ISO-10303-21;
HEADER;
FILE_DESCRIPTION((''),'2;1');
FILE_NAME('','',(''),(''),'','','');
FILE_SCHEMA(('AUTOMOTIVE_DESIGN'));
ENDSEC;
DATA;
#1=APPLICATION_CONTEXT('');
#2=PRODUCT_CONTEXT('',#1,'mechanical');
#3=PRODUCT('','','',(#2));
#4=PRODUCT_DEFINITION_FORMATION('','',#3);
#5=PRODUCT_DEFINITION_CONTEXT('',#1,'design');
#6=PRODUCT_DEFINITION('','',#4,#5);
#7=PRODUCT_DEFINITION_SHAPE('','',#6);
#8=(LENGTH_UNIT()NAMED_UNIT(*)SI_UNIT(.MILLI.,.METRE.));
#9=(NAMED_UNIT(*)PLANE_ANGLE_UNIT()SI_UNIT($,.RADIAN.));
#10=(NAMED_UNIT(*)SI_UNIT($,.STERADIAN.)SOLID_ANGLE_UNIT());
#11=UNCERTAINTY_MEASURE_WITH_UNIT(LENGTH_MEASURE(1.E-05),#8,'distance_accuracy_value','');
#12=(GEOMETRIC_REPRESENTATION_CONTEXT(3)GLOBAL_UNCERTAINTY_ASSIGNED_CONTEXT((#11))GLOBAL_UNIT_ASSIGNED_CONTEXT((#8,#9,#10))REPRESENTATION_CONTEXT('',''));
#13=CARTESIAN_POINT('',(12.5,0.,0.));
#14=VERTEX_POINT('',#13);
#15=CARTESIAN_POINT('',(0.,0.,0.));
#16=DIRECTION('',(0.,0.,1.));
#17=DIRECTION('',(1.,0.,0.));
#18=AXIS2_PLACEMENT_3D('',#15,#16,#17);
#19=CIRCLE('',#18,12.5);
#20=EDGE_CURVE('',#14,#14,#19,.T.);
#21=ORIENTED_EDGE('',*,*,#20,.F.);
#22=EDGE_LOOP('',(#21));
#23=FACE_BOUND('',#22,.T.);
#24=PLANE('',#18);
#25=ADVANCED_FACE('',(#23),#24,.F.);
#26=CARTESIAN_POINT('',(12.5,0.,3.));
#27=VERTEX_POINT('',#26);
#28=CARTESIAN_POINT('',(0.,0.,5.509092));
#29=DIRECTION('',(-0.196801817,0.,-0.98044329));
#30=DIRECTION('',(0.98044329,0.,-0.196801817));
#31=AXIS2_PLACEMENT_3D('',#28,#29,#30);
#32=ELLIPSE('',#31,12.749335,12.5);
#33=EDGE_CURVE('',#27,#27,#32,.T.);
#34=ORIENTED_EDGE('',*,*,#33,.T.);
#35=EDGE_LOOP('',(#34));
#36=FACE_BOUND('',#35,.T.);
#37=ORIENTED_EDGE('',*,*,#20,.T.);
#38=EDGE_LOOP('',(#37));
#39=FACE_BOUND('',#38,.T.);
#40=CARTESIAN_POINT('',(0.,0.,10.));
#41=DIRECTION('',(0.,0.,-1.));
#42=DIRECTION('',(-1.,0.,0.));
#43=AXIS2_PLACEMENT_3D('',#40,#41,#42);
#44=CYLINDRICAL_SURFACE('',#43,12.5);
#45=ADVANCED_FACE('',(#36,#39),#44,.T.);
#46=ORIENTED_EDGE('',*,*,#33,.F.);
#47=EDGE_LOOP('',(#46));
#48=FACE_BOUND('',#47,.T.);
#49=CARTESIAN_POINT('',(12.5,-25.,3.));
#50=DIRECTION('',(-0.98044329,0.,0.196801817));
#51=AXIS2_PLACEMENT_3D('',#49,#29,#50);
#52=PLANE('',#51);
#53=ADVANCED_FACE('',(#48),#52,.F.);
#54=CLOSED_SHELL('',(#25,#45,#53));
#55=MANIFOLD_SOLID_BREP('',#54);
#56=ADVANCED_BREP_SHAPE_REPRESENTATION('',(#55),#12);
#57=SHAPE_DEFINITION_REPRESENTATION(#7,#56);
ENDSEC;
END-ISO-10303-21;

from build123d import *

# Parameters (mm, degrees)
SKETCH_1_R          = 12.5
EXTRUDE_1_DEPTH     = 10
CUT_EXTRUDE_1_DEPTH = 25


with BuildPart() as part:
    # 草图1 → 凸台-拉伸1 (new body)
    with BuildSketch(Plane.XY):
        Circle(SKETCH_1_R)
    extrude(amount=EXTRUDE_1_DEPTH)

    # 草图2 → 切除-拉伸1 (cut, symmetric)
    with BuildSketch(Plane(origin=(0, 0, 0), x_dir=(1, 0, 0), z_dir=(0, 1, 0))):
        Polygon((12.5, -3), (-16.072220308, -8.735227052), (-16.072220308, -19.673060042), (18.336610774, -19.673060042), (18.336610774, -3), align=None)
    extrude(amount=CUT_EXTRUDE_1_DEPTH, both=True, mode=Mode.SUBTRACT)


solid = part.part
